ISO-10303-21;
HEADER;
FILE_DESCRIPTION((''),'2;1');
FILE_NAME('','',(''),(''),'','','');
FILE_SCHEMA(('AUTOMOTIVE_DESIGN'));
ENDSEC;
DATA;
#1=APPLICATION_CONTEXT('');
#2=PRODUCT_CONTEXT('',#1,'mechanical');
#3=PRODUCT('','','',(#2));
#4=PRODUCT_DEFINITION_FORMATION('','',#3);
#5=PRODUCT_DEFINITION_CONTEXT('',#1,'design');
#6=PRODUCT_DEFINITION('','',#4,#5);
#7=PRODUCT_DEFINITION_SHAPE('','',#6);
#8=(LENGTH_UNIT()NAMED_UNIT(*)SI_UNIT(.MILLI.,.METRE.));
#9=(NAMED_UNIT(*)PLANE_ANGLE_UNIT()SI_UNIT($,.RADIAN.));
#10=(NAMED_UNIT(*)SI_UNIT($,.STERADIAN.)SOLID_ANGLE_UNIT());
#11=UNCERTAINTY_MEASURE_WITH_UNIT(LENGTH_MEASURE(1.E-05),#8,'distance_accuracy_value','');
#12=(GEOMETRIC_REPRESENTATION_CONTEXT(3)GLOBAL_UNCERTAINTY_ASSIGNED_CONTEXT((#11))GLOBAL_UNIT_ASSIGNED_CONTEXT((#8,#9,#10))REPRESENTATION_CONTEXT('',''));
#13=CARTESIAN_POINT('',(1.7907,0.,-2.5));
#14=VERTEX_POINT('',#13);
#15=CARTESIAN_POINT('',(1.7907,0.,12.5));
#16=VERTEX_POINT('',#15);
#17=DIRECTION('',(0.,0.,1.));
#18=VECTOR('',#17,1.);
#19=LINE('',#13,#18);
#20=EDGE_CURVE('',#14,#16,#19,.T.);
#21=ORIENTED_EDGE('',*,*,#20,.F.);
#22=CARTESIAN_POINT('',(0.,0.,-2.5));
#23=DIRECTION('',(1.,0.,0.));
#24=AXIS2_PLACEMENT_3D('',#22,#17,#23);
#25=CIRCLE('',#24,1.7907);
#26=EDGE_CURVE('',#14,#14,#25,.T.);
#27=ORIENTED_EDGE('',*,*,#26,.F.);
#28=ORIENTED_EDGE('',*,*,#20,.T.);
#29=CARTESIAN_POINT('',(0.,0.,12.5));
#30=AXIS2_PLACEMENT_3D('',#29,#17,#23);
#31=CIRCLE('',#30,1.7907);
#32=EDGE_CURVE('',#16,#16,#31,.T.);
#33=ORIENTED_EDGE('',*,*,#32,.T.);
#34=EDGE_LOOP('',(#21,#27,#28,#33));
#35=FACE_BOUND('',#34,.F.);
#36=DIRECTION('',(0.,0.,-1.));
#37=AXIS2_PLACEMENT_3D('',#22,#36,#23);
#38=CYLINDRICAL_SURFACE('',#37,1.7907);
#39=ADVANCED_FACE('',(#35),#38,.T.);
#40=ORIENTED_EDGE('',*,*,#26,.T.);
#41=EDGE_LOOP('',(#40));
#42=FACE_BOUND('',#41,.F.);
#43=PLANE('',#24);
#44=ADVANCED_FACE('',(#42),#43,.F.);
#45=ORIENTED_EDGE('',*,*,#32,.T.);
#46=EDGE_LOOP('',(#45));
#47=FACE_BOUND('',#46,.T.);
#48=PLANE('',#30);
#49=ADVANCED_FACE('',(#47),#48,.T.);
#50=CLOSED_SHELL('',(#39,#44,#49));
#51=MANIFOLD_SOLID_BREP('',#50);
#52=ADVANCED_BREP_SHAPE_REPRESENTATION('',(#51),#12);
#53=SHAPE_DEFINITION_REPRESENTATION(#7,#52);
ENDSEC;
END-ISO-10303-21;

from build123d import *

# Parameters (mm, degrees)
CYLINDER_R     = 1.7907
CYLINDER_DEPTH = 15


with BuildPart() as part:
    # Cylinder → Cylinder (new body)
    with BuildSketch(Plane.XY.offset(-2.5)):
        Circle(CYLINDER_R)
    extrude(amount=CYLINDER_DEPTH)


solid = part.part
